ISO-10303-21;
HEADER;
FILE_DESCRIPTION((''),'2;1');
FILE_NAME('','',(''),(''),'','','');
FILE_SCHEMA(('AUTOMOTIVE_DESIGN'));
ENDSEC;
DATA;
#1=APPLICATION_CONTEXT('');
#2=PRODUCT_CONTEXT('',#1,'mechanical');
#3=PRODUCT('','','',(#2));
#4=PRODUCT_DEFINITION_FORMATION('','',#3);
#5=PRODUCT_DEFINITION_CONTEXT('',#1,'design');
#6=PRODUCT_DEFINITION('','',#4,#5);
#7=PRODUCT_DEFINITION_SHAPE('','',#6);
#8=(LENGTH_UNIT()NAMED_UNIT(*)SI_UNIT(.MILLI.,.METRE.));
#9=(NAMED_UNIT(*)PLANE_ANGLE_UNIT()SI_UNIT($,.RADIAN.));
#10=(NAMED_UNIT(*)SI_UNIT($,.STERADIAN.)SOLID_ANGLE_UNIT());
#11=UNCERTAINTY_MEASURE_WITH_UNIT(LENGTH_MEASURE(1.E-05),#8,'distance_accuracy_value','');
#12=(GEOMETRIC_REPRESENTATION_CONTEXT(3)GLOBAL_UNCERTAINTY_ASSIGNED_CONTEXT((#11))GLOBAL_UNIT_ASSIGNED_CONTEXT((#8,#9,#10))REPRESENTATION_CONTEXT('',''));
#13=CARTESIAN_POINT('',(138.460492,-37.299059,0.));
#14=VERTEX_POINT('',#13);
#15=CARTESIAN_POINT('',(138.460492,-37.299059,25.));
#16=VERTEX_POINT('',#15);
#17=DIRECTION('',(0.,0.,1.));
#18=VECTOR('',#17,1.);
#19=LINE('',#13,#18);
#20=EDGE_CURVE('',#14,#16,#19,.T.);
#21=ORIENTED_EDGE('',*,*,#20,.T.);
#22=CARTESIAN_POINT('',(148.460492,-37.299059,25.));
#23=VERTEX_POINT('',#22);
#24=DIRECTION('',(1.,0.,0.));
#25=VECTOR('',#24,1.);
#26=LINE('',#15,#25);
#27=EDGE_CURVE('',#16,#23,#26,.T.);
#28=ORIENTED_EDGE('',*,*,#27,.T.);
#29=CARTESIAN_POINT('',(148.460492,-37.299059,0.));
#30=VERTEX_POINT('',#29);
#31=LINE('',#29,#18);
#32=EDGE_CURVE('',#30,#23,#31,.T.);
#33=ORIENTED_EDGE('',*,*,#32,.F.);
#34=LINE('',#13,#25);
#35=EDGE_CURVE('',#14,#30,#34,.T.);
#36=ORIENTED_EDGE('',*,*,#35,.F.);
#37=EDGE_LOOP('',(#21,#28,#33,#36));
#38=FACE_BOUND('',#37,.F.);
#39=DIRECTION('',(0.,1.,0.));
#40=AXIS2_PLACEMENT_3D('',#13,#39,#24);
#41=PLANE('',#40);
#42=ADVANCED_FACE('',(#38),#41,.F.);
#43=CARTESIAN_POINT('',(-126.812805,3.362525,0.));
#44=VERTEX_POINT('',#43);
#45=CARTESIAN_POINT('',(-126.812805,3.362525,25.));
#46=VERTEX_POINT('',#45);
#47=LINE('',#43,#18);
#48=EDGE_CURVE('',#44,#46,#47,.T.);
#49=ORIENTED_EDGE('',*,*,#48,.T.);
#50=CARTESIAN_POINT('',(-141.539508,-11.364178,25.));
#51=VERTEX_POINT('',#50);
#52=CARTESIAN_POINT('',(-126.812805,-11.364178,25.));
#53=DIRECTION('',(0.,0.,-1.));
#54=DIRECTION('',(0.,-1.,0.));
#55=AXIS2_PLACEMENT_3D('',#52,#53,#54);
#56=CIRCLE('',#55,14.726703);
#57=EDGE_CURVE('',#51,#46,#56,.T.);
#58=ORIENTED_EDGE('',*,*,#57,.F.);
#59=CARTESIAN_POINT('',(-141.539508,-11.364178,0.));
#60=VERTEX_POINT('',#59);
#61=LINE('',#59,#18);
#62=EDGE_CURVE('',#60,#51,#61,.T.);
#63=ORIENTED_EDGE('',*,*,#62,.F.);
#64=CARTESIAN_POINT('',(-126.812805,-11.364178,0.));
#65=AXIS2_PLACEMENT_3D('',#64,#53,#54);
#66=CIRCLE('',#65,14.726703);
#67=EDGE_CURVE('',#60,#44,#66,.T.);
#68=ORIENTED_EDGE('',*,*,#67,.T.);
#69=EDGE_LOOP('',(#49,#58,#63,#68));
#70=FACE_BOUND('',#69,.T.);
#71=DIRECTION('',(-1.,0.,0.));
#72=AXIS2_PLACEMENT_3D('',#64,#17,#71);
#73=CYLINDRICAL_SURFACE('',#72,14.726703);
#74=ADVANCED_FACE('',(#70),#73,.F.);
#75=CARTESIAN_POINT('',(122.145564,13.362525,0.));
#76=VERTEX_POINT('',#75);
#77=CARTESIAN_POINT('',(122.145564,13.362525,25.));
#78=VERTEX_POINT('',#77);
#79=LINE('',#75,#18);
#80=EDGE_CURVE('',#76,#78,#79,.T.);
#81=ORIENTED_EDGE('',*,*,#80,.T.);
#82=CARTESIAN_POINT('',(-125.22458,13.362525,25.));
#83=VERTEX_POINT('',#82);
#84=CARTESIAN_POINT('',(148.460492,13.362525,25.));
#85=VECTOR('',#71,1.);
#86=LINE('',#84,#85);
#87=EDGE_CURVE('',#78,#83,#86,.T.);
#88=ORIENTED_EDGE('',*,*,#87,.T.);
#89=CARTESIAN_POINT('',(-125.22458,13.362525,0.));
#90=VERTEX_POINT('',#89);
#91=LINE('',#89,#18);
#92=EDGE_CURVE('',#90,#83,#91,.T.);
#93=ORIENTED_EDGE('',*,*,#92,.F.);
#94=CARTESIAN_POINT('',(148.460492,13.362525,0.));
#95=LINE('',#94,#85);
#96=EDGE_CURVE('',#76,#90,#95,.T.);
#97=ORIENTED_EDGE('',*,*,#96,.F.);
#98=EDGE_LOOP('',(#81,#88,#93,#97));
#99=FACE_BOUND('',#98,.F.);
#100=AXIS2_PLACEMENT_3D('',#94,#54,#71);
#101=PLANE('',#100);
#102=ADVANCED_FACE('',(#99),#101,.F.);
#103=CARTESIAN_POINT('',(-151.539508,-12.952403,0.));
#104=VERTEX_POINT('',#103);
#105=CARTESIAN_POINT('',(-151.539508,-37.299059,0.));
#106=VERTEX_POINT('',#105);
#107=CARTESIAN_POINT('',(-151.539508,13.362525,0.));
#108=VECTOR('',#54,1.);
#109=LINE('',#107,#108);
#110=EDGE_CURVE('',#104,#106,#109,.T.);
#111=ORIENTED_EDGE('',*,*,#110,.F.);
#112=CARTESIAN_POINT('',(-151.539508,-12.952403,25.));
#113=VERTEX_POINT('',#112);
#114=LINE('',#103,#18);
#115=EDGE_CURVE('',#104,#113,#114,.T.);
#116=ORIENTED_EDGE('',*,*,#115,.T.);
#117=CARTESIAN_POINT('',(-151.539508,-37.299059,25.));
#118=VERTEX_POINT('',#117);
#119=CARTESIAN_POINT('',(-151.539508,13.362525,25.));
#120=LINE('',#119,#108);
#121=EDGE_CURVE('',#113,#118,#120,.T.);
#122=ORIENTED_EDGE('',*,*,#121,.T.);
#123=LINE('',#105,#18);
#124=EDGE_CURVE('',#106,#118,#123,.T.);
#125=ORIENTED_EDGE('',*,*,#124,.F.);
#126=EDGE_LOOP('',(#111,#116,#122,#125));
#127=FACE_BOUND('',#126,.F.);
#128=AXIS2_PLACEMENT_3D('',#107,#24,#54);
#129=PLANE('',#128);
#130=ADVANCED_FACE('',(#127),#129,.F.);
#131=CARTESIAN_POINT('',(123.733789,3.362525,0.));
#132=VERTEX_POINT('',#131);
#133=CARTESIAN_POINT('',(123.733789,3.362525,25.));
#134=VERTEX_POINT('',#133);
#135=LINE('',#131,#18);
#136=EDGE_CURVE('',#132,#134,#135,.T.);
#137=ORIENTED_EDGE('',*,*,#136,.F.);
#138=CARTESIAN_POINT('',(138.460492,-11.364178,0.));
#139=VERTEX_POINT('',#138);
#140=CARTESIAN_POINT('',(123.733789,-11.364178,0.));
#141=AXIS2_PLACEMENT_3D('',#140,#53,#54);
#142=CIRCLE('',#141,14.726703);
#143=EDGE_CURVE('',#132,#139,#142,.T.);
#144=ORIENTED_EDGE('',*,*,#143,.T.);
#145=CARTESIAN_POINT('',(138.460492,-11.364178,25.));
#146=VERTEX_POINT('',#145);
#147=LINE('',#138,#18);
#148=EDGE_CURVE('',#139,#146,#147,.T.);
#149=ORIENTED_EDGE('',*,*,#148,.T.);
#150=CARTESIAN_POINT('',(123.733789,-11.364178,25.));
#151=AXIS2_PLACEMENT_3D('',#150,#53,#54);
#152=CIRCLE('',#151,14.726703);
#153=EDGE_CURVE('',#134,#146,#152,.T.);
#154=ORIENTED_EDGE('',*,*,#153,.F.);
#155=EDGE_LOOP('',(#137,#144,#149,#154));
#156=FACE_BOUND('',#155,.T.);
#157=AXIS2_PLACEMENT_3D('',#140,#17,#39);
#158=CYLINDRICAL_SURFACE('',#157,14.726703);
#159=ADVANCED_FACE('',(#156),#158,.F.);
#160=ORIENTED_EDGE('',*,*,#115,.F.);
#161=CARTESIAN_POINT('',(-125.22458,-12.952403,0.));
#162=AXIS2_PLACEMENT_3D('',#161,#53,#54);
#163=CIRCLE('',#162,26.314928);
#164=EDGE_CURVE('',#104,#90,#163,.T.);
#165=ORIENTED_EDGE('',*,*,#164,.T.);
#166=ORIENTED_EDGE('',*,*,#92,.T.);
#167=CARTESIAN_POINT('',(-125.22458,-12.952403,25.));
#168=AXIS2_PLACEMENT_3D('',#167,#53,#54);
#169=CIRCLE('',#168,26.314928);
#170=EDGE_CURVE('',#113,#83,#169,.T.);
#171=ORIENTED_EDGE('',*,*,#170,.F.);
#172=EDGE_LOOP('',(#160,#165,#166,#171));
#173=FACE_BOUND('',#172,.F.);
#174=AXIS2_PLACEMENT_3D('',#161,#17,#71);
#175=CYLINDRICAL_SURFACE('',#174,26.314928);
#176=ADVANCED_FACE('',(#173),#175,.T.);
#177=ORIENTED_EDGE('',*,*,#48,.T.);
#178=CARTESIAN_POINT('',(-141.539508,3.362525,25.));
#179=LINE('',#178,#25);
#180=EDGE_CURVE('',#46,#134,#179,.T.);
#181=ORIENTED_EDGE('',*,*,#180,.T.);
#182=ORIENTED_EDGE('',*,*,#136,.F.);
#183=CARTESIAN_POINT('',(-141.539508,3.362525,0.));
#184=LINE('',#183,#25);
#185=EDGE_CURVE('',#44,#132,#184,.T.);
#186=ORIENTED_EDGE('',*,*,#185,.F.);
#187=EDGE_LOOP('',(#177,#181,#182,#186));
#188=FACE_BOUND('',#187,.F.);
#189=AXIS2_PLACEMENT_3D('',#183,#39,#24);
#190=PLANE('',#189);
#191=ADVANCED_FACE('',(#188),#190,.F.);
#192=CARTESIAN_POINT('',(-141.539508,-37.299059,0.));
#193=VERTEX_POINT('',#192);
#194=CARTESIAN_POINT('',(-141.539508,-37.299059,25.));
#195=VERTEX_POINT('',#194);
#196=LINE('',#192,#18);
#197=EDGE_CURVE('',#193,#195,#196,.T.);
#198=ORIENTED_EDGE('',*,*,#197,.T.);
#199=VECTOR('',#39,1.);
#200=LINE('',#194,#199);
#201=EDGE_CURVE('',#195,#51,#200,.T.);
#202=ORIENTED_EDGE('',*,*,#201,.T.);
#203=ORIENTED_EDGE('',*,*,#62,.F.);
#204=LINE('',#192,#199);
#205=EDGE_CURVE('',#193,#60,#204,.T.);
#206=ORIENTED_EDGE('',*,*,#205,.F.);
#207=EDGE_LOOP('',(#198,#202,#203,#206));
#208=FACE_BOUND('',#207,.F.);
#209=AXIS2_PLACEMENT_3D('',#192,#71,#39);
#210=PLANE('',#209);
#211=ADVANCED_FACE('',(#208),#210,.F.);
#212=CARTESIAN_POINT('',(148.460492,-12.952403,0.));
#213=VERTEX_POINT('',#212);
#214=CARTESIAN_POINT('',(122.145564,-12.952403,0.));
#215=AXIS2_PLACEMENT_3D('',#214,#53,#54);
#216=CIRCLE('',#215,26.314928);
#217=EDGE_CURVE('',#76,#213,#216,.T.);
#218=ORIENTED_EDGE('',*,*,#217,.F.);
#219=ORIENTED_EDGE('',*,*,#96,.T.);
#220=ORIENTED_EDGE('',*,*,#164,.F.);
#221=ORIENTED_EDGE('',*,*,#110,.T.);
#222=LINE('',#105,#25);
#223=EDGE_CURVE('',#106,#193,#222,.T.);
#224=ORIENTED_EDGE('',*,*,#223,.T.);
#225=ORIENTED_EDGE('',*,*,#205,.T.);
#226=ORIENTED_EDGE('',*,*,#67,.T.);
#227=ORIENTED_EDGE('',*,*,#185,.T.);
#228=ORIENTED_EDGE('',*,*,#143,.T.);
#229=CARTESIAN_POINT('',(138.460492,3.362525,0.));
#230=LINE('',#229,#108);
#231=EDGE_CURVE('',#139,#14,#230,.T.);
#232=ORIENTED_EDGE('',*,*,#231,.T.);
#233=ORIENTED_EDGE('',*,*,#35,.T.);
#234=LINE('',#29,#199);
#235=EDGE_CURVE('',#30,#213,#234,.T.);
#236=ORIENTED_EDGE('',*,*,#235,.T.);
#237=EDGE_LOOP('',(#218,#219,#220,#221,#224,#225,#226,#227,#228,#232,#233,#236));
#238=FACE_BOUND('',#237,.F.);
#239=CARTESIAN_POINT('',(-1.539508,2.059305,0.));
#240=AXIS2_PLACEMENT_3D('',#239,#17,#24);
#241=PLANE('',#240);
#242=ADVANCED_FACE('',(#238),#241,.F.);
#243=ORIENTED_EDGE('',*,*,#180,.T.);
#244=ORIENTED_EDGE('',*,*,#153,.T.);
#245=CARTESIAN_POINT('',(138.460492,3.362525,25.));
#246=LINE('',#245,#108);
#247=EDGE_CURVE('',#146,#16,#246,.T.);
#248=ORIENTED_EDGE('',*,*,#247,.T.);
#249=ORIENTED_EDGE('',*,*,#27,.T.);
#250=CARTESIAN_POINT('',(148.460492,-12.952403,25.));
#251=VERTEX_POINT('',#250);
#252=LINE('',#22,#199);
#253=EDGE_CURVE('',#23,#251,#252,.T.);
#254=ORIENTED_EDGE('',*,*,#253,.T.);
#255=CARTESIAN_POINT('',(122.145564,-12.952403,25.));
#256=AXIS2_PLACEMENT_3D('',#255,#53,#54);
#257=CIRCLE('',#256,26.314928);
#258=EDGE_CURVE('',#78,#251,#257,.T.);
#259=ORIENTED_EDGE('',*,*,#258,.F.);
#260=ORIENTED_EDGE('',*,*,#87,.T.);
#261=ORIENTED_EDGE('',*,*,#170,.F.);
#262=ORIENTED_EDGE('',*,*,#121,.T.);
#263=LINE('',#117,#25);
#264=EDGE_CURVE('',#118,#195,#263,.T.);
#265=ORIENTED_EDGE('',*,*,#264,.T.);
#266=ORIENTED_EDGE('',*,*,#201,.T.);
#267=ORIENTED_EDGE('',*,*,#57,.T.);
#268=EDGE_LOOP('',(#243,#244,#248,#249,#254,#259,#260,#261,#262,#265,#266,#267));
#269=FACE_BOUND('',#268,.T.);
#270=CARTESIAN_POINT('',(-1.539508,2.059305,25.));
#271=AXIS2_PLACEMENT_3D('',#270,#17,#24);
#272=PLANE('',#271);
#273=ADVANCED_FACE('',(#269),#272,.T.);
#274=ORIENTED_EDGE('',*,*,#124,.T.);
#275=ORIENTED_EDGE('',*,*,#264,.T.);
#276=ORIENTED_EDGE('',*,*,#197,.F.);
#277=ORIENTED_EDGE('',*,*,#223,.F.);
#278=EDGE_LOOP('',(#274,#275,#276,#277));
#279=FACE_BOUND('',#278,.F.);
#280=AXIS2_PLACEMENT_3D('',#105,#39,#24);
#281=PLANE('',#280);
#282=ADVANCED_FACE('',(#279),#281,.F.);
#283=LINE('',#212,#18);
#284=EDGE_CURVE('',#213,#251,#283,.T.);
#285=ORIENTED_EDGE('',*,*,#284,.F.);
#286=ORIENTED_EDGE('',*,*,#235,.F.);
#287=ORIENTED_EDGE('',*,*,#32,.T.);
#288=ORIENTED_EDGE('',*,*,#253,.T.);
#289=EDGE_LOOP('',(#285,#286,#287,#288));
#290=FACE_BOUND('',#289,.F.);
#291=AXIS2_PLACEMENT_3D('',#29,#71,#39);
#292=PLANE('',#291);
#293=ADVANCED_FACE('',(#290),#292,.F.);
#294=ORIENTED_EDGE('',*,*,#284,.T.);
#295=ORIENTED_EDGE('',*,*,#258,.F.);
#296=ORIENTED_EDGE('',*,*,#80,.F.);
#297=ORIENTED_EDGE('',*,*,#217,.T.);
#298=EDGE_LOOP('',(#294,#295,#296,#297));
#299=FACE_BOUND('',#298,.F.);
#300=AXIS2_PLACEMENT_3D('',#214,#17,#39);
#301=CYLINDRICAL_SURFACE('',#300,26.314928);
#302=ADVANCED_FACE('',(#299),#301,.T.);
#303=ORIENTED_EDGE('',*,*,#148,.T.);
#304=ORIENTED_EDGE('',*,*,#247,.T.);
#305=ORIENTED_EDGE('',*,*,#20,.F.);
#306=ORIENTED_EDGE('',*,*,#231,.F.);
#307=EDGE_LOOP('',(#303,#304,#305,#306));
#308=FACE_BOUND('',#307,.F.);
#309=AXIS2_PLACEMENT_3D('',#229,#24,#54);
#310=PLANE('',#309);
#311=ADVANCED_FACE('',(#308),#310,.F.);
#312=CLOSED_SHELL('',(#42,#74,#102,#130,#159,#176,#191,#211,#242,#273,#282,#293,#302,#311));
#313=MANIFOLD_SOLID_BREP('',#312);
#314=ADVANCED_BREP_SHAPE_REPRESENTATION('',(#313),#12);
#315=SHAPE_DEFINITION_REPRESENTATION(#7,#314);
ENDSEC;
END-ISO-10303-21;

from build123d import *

# Parameters (mm, degrees)
F1_DEPTH = 25
F2_R     = 14.726703
F3_R     = 26.314928


with BuildPart() as f1:
    # F0 (on Top) → F1 (new body)
    with BuildSketch(Plane.XY):
        Polygon((148.460492, 13.362525), (-151.539508, 13.362525), (-151.539508, -37.299059), (-141.539508, -37.299059), (-141.539508, 3.362525), (138.460492, 3.362525), (138.460492, -37.299059), (148.460492, -37.299059), align=None)
    extrude(amount=F1_DEPTH)

    # F2
    f2_edges = [f1.edges().sort_by_distance(p)[0] for p in [
        (-141.539508, 3.362525, 12.5),
        (138.460492, 3.362525, 12.5),
    ]]
    fillet(f2_edges, radius=F2_R)

    # F3
    f3_edges = [f1.edges().sort_by_distance(p)[0] for p in [
        (-151.539508, 13.362525, 12.5),
        (148.460492, 13.362525, 12.5),
    ]]
    fillet(f3_edges, radius=F3_R)


solid = f1.part
